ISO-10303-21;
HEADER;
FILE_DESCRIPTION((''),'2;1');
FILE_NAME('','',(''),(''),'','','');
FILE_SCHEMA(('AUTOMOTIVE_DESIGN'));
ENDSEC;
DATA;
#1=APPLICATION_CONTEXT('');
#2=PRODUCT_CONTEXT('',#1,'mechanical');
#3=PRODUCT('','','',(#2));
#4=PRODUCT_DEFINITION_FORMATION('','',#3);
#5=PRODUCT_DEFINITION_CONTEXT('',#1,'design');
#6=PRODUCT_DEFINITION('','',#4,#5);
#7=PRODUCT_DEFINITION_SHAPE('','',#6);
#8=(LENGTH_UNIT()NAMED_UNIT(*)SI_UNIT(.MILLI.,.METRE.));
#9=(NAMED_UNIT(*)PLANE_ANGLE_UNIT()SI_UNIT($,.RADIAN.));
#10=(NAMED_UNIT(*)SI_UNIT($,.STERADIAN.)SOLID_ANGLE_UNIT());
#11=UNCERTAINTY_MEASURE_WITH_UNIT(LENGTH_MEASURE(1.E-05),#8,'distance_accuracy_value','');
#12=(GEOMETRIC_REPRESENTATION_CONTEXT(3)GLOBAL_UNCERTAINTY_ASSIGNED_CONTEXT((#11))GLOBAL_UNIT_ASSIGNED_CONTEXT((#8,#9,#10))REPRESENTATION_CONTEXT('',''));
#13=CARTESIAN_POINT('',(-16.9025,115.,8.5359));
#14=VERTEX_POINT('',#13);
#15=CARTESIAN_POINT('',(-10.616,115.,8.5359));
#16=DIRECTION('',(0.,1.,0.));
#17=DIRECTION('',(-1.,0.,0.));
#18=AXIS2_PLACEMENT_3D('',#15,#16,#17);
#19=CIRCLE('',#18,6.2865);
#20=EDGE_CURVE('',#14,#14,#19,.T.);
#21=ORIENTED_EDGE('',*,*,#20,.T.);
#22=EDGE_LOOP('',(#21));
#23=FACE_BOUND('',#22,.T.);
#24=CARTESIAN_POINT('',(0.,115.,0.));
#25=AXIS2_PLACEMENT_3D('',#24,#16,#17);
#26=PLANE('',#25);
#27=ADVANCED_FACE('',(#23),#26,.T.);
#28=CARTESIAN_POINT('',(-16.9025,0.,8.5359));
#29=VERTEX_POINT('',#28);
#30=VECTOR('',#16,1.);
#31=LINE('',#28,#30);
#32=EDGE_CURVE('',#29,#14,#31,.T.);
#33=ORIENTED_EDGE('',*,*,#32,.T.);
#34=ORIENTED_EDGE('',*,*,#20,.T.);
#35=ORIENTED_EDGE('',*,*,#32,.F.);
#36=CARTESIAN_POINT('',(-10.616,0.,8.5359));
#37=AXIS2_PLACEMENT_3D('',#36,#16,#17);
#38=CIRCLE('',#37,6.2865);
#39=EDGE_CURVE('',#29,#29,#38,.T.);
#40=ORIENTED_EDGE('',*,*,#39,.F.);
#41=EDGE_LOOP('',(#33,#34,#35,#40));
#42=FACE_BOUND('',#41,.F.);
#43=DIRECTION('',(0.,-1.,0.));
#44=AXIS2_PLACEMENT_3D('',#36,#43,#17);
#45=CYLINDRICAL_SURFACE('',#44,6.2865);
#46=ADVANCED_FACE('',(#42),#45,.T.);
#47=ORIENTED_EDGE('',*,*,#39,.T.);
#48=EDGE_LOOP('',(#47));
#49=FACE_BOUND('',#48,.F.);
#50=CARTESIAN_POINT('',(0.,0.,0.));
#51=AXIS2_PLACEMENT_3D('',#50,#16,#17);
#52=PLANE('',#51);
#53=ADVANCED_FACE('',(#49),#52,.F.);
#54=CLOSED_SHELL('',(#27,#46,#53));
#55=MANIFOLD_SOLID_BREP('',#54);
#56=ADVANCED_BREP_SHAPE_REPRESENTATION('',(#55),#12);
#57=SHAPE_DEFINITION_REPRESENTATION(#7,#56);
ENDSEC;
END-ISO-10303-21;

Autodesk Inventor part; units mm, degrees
ref_plane "YZ Plane" through (0, 0, 0) normal (1, 0, 0) x (0, 1, 0)
ref_plane "XZ Plane" through (0, 0, 0) normal (0, 1, 0) x (-1, 0, 0)
ref_plane "XY Plane" through (0, 0, 0) normal (0, 0, 1) x (1, 0, 0)
sketch "Sketch1" plane through (0, 0, 0) normal (0, 1, 0) x (-1, 0, 0)
  circle A0 centre (10.616, 8.5359) radius 6.2865
  circle A1 centre (-1.2752, 0.6307) radius 0.5481
  circle A2 centre (0, 13.4135) radius 0.0717
  point P0 (0, 0)
  dimension "d1" = 12.573
extrude "Extrusion1" add sketch "Sketch1" along normal blind 115 contours A0
properties part number "0.5 and 4 inch stand"
